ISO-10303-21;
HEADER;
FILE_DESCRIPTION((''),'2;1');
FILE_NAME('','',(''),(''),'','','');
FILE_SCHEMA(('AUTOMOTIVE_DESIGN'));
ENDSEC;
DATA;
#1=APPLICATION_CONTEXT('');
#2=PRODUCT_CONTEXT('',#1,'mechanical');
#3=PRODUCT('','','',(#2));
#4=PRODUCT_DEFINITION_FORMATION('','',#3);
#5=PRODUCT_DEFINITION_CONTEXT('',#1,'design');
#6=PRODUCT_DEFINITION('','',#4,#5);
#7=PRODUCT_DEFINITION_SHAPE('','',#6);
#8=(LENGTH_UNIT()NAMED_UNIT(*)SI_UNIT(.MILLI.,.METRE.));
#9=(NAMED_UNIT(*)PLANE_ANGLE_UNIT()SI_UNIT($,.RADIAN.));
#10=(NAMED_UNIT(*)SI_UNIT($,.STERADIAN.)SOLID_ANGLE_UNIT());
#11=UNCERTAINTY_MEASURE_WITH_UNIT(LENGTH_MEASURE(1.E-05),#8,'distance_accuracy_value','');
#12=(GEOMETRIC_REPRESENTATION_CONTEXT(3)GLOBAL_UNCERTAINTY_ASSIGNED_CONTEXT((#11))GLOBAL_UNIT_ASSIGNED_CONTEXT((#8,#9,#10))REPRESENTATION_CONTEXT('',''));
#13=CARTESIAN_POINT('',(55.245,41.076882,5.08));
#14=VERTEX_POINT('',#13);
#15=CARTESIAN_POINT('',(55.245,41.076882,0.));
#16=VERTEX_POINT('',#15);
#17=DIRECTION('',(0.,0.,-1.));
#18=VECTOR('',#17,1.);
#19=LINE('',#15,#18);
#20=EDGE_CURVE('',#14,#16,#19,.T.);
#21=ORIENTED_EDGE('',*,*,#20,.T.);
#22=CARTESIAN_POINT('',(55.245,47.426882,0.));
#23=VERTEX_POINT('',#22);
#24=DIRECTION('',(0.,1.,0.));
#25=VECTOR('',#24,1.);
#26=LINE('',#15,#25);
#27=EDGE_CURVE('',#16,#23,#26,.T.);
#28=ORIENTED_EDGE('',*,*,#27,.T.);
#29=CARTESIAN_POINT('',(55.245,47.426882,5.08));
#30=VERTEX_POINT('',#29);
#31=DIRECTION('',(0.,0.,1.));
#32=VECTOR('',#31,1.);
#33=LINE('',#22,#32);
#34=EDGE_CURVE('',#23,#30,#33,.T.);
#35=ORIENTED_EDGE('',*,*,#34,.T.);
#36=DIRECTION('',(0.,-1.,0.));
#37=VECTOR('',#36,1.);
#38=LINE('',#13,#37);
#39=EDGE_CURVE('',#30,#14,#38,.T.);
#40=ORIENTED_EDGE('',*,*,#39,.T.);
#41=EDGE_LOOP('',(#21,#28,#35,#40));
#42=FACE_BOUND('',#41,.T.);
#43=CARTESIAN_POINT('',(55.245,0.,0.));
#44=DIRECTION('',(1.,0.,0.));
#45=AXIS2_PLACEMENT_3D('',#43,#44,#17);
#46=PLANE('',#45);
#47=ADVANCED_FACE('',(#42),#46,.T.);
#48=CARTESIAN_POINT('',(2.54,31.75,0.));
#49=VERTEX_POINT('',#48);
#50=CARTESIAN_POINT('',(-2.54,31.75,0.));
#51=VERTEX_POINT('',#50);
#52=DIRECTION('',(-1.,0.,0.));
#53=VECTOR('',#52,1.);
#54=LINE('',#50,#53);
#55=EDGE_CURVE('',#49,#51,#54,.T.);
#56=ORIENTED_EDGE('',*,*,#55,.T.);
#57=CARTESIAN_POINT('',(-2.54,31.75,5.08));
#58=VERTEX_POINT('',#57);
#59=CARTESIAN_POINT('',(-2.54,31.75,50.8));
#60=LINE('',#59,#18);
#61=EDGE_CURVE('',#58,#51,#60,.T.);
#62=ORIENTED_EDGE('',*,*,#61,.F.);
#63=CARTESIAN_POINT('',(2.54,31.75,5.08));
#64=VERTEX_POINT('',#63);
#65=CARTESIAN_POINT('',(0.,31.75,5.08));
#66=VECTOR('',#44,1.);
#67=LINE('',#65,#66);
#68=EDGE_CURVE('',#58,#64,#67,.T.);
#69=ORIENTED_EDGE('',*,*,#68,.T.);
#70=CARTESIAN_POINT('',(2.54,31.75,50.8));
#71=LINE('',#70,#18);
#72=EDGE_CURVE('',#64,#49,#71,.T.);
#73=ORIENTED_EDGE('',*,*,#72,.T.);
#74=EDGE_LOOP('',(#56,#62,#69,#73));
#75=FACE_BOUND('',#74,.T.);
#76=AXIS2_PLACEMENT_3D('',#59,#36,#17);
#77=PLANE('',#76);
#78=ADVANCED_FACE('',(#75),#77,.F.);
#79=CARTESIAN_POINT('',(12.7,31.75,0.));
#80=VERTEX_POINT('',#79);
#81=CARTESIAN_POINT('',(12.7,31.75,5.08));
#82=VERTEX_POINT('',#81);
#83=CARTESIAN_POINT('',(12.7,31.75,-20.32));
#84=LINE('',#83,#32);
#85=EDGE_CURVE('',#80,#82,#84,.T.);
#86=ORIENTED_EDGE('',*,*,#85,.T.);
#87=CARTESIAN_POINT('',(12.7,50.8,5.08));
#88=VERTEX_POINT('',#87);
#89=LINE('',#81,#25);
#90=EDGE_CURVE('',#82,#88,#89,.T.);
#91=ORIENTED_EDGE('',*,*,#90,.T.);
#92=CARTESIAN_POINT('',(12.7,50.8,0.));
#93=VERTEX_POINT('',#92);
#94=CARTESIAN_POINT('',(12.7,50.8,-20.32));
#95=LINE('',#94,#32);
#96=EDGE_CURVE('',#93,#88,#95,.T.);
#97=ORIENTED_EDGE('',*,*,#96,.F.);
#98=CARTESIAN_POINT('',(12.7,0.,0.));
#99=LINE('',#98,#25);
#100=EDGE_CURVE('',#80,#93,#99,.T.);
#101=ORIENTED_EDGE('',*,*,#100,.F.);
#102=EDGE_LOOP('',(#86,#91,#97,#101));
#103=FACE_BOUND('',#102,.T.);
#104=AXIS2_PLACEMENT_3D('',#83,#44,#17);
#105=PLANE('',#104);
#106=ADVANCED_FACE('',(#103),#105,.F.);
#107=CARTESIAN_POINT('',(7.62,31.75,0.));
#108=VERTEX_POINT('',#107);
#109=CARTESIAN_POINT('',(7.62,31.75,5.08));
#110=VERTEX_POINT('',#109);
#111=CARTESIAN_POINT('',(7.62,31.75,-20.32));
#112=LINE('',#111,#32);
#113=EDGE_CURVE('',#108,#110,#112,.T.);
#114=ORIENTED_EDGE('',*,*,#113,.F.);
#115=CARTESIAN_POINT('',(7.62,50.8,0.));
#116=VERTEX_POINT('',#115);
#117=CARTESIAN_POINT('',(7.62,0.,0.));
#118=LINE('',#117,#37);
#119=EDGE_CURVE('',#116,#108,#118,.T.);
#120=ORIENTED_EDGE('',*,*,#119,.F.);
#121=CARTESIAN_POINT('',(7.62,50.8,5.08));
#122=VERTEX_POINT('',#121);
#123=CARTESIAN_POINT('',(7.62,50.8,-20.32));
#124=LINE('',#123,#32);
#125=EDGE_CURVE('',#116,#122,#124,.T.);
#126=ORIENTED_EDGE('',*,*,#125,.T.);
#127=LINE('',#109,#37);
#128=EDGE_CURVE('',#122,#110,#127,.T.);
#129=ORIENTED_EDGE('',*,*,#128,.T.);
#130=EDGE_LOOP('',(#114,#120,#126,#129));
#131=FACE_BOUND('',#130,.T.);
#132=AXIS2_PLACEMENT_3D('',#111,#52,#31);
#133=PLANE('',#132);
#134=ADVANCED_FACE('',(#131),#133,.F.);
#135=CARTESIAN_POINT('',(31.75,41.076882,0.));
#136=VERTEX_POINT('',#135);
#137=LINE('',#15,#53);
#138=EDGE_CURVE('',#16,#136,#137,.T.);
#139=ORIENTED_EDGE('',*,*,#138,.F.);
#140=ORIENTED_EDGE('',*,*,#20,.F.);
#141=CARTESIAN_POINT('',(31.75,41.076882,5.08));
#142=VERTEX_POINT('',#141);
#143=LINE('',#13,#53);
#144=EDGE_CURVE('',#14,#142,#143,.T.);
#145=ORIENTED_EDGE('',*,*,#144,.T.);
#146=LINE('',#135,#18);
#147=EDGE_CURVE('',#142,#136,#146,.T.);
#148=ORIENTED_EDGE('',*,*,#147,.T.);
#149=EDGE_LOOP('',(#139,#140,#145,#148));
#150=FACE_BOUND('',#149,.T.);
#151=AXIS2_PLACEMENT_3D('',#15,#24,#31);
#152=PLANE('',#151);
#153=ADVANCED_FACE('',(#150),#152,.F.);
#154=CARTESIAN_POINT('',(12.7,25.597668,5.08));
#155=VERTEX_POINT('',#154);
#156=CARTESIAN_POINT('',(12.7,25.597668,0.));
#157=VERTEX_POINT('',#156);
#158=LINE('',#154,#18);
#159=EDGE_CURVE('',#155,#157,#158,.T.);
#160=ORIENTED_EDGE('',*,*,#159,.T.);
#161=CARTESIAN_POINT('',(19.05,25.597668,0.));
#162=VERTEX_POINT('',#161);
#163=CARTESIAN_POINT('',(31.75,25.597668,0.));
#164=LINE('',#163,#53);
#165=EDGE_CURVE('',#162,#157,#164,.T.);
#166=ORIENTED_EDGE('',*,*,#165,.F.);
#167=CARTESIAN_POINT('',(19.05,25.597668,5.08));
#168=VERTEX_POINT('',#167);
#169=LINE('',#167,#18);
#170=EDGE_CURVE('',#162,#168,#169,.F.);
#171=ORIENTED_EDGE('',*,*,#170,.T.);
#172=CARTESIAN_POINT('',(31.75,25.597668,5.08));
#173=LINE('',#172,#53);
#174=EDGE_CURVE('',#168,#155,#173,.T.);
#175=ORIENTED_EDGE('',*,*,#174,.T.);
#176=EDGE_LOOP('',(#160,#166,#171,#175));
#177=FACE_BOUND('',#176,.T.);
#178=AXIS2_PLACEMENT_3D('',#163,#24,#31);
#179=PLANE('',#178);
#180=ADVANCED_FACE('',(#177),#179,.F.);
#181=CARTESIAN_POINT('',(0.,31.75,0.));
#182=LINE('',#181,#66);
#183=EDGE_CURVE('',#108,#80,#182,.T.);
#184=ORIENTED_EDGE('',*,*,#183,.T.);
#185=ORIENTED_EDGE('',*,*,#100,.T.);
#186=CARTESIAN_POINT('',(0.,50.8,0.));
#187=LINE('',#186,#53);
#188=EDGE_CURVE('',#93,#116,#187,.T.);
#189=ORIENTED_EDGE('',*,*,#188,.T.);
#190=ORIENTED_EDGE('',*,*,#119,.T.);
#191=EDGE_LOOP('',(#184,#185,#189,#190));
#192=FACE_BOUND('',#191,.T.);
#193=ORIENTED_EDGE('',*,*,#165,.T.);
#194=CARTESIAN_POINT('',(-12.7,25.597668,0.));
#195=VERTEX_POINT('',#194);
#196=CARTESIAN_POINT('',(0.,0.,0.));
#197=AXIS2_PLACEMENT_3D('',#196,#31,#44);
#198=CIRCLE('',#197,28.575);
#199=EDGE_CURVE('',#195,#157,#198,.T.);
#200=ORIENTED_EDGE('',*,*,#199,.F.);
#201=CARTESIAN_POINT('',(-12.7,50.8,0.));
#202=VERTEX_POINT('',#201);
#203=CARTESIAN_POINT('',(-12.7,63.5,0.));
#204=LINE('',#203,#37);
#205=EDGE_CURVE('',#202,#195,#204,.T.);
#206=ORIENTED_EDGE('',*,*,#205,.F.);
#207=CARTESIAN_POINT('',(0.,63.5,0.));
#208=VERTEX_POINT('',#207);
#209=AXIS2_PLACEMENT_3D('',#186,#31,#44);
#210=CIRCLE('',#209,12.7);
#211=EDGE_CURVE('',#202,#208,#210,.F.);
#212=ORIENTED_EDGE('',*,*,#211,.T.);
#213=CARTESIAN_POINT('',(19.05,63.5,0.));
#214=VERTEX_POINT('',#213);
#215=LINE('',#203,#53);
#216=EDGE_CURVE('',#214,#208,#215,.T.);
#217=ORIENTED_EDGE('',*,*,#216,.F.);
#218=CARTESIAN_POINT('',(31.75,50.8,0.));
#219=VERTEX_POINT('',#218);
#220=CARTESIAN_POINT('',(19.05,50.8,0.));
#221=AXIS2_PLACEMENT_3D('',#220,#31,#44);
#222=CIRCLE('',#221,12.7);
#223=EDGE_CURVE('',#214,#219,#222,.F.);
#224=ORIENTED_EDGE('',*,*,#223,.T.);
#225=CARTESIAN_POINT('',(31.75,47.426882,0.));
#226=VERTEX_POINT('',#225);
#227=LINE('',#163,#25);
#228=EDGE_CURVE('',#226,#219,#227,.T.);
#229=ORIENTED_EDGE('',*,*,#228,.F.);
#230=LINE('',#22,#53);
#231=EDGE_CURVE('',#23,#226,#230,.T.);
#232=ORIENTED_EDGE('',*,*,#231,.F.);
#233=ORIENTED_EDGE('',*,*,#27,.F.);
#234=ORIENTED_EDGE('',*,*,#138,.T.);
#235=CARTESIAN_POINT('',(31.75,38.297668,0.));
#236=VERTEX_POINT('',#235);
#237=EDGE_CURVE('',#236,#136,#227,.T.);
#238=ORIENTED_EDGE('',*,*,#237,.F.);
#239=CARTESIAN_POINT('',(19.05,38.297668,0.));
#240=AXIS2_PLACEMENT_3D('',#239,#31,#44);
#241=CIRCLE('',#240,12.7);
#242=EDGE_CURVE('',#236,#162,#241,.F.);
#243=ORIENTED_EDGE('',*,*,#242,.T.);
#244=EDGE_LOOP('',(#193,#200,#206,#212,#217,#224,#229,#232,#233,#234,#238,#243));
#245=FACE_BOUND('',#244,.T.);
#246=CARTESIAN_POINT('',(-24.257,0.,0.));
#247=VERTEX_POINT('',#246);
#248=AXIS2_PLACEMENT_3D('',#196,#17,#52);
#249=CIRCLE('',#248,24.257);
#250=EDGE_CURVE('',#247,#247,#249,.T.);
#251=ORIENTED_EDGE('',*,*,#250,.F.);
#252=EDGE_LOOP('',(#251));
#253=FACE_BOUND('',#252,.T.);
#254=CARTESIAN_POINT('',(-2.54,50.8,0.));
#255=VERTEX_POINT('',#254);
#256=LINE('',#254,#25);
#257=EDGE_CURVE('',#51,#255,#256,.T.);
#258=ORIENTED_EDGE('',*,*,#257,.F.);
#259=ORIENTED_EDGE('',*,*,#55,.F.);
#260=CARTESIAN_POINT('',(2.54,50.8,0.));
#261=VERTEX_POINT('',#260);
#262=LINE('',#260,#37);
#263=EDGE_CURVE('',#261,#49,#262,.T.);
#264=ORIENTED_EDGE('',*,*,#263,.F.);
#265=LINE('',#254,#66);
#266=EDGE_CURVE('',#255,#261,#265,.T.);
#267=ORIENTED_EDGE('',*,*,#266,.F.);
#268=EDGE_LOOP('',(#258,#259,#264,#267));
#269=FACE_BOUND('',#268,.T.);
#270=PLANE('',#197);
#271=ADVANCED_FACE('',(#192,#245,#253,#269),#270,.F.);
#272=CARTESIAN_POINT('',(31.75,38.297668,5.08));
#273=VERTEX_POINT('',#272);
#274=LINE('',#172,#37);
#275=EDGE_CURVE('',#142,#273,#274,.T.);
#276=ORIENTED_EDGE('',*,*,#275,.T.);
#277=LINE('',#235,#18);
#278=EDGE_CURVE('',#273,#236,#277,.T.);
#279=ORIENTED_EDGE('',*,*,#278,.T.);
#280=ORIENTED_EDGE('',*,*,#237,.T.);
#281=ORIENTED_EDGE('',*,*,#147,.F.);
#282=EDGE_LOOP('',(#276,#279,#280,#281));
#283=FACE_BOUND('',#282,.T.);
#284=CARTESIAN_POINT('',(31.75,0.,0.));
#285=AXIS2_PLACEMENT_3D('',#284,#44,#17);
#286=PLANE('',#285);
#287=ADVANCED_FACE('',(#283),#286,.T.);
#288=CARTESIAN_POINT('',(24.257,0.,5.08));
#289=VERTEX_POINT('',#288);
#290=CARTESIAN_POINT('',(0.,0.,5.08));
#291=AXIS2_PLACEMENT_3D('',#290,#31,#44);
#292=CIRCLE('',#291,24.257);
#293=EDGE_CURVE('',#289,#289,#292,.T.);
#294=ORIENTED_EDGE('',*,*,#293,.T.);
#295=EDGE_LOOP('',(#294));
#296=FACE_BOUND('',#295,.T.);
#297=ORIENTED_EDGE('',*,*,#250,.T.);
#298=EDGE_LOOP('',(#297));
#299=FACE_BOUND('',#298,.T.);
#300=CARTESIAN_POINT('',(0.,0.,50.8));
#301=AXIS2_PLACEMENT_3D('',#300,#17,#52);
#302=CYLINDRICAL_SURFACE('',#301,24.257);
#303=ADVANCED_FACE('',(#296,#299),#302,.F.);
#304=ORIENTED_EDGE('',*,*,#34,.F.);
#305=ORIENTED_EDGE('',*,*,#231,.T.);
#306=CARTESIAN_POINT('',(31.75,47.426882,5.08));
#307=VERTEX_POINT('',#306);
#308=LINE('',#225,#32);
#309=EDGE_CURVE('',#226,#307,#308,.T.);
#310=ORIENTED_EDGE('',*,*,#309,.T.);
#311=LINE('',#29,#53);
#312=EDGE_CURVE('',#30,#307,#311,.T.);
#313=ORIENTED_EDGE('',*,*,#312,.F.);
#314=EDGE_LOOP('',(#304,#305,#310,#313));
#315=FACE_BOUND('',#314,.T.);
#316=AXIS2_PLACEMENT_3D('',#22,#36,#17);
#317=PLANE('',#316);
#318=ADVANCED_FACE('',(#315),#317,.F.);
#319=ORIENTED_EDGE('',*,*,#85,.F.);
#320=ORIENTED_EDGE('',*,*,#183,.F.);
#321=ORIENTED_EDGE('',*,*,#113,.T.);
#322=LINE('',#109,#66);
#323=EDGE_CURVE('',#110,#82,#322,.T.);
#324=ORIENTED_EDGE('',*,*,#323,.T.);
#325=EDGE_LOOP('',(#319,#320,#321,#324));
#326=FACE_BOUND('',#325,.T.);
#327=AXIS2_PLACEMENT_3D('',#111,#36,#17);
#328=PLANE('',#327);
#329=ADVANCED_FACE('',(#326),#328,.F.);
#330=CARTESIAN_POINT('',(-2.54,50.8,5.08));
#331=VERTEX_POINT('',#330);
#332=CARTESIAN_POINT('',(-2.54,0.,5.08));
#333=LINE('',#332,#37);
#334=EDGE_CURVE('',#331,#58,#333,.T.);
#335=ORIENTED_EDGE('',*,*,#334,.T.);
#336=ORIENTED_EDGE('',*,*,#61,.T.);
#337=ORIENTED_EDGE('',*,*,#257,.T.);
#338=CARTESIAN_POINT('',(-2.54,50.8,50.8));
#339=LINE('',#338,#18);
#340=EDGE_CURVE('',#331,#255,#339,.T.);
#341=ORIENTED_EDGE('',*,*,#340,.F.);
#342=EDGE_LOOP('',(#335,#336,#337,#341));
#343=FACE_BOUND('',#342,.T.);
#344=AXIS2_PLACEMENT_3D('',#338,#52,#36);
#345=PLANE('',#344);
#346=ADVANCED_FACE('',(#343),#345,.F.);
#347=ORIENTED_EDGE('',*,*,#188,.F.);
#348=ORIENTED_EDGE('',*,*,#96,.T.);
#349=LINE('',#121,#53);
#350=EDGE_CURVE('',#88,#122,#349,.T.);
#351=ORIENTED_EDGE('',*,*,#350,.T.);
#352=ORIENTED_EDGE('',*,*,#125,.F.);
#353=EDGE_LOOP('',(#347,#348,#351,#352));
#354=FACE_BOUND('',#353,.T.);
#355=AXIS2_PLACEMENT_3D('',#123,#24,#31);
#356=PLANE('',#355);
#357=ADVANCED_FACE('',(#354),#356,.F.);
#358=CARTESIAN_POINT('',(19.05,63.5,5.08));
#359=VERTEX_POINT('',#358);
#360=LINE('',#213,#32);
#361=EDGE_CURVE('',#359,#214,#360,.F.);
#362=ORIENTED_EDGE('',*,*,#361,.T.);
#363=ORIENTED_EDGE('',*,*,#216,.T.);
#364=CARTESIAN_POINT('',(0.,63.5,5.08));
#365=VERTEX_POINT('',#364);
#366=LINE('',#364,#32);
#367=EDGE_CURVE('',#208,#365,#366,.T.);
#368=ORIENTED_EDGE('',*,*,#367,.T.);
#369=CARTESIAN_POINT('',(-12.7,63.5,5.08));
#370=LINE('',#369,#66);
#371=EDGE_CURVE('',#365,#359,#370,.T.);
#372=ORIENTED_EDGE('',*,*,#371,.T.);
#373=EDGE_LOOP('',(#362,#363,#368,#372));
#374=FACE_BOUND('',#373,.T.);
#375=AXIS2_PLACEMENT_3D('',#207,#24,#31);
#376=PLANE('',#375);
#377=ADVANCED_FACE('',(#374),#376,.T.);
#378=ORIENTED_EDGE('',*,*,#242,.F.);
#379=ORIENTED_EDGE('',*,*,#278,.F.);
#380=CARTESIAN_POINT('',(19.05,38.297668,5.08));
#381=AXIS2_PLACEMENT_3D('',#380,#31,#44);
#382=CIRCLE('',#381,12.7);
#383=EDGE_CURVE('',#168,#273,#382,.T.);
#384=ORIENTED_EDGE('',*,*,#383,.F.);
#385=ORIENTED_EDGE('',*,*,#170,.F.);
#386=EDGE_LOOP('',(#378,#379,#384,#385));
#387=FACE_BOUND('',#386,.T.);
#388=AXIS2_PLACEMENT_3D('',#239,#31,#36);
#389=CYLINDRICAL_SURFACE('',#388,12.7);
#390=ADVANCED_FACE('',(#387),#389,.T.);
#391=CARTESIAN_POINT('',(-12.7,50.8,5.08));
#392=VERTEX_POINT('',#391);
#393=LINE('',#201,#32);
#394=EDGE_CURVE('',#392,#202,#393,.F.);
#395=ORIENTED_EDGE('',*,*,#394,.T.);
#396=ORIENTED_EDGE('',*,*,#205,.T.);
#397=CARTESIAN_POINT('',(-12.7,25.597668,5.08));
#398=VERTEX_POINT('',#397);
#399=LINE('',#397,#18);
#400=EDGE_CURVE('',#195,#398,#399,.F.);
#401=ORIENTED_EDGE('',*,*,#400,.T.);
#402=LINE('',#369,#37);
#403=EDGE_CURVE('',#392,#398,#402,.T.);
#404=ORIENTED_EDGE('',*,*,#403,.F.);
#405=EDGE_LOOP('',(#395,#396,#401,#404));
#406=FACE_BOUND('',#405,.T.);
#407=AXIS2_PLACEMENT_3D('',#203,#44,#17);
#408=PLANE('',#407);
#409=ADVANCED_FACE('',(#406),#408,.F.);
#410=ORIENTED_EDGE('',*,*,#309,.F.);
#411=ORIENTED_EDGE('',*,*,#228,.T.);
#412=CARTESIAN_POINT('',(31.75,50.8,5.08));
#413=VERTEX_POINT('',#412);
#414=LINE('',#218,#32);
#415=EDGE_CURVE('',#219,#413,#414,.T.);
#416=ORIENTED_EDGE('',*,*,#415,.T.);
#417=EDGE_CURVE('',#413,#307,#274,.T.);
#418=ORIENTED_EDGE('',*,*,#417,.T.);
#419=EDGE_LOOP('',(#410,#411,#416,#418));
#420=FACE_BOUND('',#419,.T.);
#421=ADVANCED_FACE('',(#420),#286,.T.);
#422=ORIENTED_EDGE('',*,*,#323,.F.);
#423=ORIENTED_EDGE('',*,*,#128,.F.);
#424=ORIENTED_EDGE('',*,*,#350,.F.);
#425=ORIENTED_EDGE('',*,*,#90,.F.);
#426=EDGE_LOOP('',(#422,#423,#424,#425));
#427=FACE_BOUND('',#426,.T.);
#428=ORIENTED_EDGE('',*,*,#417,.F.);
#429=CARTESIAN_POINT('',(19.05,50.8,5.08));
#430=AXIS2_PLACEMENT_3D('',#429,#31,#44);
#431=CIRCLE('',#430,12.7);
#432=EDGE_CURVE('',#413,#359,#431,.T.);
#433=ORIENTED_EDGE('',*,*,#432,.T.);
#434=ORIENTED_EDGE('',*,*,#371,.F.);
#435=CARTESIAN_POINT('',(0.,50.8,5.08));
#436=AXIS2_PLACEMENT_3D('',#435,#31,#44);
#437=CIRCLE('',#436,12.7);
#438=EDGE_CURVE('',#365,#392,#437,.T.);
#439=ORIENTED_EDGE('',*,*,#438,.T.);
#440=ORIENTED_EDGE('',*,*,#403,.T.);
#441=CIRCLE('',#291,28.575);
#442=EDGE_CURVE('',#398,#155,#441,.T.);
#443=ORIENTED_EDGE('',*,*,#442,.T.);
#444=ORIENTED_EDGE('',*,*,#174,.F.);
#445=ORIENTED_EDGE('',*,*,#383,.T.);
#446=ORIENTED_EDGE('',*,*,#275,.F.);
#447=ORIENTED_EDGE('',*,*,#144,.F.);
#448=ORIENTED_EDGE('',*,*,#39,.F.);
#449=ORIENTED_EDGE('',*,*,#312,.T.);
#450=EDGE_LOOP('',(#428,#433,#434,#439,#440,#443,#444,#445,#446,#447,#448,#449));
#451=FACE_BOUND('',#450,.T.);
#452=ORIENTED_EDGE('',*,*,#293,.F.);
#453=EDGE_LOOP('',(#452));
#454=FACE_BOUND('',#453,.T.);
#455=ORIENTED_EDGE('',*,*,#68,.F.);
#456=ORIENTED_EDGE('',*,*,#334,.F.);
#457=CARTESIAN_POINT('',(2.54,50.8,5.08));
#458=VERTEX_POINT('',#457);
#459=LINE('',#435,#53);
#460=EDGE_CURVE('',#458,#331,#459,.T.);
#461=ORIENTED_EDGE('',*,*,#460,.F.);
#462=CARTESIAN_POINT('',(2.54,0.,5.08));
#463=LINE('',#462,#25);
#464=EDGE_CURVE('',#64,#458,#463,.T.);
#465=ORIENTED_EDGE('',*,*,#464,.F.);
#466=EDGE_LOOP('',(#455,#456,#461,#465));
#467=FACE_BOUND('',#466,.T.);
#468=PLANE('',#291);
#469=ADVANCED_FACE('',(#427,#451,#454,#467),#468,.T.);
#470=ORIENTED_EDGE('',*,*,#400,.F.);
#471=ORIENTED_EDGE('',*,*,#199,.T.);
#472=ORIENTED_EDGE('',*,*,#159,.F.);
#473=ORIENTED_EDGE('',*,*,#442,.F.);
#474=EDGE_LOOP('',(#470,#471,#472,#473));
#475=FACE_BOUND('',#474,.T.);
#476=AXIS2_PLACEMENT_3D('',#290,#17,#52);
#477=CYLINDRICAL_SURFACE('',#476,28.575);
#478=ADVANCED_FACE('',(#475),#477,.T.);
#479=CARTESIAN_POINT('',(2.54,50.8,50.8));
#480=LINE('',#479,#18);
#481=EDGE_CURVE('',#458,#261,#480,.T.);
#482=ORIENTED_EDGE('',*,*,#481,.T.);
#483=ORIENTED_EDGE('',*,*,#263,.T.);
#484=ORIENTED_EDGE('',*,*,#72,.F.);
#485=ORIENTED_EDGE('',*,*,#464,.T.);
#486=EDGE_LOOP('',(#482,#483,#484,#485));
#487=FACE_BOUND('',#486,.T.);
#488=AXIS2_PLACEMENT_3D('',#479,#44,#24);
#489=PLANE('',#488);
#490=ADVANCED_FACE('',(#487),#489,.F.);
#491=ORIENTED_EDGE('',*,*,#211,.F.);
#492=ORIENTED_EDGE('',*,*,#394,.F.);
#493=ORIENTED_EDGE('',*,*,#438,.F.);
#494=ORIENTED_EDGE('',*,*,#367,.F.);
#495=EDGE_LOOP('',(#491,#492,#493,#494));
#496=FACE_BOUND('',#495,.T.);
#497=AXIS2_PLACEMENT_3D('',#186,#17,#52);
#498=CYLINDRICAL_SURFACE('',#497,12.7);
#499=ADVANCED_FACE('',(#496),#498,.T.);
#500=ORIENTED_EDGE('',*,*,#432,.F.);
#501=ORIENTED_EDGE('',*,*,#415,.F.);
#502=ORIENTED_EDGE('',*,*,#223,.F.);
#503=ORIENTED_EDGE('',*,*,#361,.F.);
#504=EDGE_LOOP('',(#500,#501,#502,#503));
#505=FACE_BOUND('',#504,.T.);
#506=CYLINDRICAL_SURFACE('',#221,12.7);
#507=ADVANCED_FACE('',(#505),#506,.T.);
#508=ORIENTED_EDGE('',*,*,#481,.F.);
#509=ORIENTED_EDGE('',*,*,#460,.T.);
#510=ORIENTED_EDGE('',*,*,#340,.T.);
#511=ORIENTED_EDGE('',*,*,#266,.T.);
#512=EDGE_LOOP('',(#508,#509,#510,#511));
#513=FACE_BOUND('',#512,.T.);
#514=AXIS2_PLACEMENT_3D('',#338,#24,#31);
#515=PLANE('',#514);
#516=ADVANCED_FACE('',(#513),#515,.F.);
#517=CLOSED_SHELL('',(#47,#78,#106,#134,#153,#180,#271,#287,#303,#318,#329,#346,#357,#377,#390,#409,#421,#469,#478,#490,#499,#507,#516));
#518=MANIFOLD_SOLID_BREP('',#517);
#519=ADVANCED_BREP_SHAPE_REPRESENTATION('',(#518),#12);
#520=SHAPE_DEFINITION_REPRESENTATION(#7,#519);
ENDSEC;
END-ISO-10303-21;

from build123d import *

# Parameters (mm, degrees)
SKETCH1_R           = 28.575
BOSS_EXTRUDE1_DEPTH = 5.08
SKETCH2_W           = 25.4
SKETCH2_H           = 5.08
BOSS_EXTRUDE2_DEPTH = 63.5
SKETCH3_R           = 24.257
CUT_EXTRUDE1_DEPTH  = 50.8
SKETCH4_W           = 5.08
SKETCH4_H           = 19.05
CUT_EXTRUDE2_DEPTH  = 50.8
SKETCH6_W           = 5.08
SKETCH6_H           = 37.902331649
BOSS_EXTRUDE4_DEPTH = 19.05
SKETCH7_W           = 5.08
SKETCH7_H           = 19.05
CUT_EXTRUDE3_DEPTH  = 25.4
FILLET1_R           = 12.7
SKETCH8_W           = 5.08
SKETCH8_H           = 6.35
BOSS_EXTRUDE5_DEPTH = 23.495


with BuildPart() as part:
    # Sketch1 → Boss-Extrude1 (new body)
    with BuildSketch(Plane.XY):
        Circle(SKETCH1_R)
    extrude(amount=BOSS_EXTRUDE1_DEPTH)

    # Sketch2 → Boss-Extrude2 (add)
    with BuildSketch(Plane(origin=(0, 0, 0), x_dir=(1, 0, 0), z_dir=(0, 1, 0))):
        with Locations((0, -2.54)):
            Rectangle(SKETCH2_W, SKETCH2_H)
    extrude(amount=BOSS_EXTRUDE2_DEPTH)

    # Sketch3 → Cut-Extrude1 (cut)
    with BuildSketch(Plane(origin=(0, 0, 0), x_dir=(-1, 0, 0), z_dir=(0, 0, -1))):
        Circle(SKETCH3_R)
    extrude(amount=-CUT_EXTRUDE1_DEPTH, mode=Mode.SUBTRACT)

    # Sketch4 → Cut-Extrude2 (cut)
    with BuildSketch(Plane(origin=(0, 0, 0), x_dir=(-1, 0, 0), z_dir=(0, 0, -1))):
        with Locations((0, 41.275)):
            Rectangle(SKETCH4_W, SKETCH4_H)
    extrude(amount=-CUT_EXTRUDE2_DEPTH, mode=Mode.SUBTRACT)

    # Sketch6 → Boss-Extrude4 (add)
    with BuildSketch(Plane(origin=(12.7, 0, 0), x_dir=(0, 0, -1), z_dir=(1, 0, 0))):
        with Locations((-2.54, 44.548834176)):
            Rectangle(SKETCH6_W, SKETCH6_H)
    extrude(amount=BOSS_EXTRUDE4_DEPTH)

    # Sketch7 → Cut-Extrude3 (cut)
    with BuildSketch(Plane.XY.offset(5.08)):
        with Locations((10.16, 41.275)):
            Rectangle(SKETCH7_W, SKETCH7_H)
    extrude(amount=-CUT_EXTRUDE3_DEPTH, mode=Mode.SUBTRACT)

    # Fillet1
    fillet1_edges = [part.edges().sort_by_distance(p)[0] for p in [
        (-12.7, 63.5, 2.54),
        (31.75, 63.5, 2.54),
        (31.75, 25.597668351, 2.54),
    ]]
    fillet(fillet1_edges, radius=FILLET1_R)

    # Sketch8 → Boss-Extrude5 (add)
    with BuildSketch(Plane(origin=(31.75, 0, 0), x_dir=(0, 0, -1), z_dir=(1, 0, 0))):
        with Locations((-2.54, 44.2518817)):
            Rectangle(SKETCH8_W, SKETCH8_H)
    extrude(amount=BOSS_EXTRUDE5_DEPTH)


solid = part.part
